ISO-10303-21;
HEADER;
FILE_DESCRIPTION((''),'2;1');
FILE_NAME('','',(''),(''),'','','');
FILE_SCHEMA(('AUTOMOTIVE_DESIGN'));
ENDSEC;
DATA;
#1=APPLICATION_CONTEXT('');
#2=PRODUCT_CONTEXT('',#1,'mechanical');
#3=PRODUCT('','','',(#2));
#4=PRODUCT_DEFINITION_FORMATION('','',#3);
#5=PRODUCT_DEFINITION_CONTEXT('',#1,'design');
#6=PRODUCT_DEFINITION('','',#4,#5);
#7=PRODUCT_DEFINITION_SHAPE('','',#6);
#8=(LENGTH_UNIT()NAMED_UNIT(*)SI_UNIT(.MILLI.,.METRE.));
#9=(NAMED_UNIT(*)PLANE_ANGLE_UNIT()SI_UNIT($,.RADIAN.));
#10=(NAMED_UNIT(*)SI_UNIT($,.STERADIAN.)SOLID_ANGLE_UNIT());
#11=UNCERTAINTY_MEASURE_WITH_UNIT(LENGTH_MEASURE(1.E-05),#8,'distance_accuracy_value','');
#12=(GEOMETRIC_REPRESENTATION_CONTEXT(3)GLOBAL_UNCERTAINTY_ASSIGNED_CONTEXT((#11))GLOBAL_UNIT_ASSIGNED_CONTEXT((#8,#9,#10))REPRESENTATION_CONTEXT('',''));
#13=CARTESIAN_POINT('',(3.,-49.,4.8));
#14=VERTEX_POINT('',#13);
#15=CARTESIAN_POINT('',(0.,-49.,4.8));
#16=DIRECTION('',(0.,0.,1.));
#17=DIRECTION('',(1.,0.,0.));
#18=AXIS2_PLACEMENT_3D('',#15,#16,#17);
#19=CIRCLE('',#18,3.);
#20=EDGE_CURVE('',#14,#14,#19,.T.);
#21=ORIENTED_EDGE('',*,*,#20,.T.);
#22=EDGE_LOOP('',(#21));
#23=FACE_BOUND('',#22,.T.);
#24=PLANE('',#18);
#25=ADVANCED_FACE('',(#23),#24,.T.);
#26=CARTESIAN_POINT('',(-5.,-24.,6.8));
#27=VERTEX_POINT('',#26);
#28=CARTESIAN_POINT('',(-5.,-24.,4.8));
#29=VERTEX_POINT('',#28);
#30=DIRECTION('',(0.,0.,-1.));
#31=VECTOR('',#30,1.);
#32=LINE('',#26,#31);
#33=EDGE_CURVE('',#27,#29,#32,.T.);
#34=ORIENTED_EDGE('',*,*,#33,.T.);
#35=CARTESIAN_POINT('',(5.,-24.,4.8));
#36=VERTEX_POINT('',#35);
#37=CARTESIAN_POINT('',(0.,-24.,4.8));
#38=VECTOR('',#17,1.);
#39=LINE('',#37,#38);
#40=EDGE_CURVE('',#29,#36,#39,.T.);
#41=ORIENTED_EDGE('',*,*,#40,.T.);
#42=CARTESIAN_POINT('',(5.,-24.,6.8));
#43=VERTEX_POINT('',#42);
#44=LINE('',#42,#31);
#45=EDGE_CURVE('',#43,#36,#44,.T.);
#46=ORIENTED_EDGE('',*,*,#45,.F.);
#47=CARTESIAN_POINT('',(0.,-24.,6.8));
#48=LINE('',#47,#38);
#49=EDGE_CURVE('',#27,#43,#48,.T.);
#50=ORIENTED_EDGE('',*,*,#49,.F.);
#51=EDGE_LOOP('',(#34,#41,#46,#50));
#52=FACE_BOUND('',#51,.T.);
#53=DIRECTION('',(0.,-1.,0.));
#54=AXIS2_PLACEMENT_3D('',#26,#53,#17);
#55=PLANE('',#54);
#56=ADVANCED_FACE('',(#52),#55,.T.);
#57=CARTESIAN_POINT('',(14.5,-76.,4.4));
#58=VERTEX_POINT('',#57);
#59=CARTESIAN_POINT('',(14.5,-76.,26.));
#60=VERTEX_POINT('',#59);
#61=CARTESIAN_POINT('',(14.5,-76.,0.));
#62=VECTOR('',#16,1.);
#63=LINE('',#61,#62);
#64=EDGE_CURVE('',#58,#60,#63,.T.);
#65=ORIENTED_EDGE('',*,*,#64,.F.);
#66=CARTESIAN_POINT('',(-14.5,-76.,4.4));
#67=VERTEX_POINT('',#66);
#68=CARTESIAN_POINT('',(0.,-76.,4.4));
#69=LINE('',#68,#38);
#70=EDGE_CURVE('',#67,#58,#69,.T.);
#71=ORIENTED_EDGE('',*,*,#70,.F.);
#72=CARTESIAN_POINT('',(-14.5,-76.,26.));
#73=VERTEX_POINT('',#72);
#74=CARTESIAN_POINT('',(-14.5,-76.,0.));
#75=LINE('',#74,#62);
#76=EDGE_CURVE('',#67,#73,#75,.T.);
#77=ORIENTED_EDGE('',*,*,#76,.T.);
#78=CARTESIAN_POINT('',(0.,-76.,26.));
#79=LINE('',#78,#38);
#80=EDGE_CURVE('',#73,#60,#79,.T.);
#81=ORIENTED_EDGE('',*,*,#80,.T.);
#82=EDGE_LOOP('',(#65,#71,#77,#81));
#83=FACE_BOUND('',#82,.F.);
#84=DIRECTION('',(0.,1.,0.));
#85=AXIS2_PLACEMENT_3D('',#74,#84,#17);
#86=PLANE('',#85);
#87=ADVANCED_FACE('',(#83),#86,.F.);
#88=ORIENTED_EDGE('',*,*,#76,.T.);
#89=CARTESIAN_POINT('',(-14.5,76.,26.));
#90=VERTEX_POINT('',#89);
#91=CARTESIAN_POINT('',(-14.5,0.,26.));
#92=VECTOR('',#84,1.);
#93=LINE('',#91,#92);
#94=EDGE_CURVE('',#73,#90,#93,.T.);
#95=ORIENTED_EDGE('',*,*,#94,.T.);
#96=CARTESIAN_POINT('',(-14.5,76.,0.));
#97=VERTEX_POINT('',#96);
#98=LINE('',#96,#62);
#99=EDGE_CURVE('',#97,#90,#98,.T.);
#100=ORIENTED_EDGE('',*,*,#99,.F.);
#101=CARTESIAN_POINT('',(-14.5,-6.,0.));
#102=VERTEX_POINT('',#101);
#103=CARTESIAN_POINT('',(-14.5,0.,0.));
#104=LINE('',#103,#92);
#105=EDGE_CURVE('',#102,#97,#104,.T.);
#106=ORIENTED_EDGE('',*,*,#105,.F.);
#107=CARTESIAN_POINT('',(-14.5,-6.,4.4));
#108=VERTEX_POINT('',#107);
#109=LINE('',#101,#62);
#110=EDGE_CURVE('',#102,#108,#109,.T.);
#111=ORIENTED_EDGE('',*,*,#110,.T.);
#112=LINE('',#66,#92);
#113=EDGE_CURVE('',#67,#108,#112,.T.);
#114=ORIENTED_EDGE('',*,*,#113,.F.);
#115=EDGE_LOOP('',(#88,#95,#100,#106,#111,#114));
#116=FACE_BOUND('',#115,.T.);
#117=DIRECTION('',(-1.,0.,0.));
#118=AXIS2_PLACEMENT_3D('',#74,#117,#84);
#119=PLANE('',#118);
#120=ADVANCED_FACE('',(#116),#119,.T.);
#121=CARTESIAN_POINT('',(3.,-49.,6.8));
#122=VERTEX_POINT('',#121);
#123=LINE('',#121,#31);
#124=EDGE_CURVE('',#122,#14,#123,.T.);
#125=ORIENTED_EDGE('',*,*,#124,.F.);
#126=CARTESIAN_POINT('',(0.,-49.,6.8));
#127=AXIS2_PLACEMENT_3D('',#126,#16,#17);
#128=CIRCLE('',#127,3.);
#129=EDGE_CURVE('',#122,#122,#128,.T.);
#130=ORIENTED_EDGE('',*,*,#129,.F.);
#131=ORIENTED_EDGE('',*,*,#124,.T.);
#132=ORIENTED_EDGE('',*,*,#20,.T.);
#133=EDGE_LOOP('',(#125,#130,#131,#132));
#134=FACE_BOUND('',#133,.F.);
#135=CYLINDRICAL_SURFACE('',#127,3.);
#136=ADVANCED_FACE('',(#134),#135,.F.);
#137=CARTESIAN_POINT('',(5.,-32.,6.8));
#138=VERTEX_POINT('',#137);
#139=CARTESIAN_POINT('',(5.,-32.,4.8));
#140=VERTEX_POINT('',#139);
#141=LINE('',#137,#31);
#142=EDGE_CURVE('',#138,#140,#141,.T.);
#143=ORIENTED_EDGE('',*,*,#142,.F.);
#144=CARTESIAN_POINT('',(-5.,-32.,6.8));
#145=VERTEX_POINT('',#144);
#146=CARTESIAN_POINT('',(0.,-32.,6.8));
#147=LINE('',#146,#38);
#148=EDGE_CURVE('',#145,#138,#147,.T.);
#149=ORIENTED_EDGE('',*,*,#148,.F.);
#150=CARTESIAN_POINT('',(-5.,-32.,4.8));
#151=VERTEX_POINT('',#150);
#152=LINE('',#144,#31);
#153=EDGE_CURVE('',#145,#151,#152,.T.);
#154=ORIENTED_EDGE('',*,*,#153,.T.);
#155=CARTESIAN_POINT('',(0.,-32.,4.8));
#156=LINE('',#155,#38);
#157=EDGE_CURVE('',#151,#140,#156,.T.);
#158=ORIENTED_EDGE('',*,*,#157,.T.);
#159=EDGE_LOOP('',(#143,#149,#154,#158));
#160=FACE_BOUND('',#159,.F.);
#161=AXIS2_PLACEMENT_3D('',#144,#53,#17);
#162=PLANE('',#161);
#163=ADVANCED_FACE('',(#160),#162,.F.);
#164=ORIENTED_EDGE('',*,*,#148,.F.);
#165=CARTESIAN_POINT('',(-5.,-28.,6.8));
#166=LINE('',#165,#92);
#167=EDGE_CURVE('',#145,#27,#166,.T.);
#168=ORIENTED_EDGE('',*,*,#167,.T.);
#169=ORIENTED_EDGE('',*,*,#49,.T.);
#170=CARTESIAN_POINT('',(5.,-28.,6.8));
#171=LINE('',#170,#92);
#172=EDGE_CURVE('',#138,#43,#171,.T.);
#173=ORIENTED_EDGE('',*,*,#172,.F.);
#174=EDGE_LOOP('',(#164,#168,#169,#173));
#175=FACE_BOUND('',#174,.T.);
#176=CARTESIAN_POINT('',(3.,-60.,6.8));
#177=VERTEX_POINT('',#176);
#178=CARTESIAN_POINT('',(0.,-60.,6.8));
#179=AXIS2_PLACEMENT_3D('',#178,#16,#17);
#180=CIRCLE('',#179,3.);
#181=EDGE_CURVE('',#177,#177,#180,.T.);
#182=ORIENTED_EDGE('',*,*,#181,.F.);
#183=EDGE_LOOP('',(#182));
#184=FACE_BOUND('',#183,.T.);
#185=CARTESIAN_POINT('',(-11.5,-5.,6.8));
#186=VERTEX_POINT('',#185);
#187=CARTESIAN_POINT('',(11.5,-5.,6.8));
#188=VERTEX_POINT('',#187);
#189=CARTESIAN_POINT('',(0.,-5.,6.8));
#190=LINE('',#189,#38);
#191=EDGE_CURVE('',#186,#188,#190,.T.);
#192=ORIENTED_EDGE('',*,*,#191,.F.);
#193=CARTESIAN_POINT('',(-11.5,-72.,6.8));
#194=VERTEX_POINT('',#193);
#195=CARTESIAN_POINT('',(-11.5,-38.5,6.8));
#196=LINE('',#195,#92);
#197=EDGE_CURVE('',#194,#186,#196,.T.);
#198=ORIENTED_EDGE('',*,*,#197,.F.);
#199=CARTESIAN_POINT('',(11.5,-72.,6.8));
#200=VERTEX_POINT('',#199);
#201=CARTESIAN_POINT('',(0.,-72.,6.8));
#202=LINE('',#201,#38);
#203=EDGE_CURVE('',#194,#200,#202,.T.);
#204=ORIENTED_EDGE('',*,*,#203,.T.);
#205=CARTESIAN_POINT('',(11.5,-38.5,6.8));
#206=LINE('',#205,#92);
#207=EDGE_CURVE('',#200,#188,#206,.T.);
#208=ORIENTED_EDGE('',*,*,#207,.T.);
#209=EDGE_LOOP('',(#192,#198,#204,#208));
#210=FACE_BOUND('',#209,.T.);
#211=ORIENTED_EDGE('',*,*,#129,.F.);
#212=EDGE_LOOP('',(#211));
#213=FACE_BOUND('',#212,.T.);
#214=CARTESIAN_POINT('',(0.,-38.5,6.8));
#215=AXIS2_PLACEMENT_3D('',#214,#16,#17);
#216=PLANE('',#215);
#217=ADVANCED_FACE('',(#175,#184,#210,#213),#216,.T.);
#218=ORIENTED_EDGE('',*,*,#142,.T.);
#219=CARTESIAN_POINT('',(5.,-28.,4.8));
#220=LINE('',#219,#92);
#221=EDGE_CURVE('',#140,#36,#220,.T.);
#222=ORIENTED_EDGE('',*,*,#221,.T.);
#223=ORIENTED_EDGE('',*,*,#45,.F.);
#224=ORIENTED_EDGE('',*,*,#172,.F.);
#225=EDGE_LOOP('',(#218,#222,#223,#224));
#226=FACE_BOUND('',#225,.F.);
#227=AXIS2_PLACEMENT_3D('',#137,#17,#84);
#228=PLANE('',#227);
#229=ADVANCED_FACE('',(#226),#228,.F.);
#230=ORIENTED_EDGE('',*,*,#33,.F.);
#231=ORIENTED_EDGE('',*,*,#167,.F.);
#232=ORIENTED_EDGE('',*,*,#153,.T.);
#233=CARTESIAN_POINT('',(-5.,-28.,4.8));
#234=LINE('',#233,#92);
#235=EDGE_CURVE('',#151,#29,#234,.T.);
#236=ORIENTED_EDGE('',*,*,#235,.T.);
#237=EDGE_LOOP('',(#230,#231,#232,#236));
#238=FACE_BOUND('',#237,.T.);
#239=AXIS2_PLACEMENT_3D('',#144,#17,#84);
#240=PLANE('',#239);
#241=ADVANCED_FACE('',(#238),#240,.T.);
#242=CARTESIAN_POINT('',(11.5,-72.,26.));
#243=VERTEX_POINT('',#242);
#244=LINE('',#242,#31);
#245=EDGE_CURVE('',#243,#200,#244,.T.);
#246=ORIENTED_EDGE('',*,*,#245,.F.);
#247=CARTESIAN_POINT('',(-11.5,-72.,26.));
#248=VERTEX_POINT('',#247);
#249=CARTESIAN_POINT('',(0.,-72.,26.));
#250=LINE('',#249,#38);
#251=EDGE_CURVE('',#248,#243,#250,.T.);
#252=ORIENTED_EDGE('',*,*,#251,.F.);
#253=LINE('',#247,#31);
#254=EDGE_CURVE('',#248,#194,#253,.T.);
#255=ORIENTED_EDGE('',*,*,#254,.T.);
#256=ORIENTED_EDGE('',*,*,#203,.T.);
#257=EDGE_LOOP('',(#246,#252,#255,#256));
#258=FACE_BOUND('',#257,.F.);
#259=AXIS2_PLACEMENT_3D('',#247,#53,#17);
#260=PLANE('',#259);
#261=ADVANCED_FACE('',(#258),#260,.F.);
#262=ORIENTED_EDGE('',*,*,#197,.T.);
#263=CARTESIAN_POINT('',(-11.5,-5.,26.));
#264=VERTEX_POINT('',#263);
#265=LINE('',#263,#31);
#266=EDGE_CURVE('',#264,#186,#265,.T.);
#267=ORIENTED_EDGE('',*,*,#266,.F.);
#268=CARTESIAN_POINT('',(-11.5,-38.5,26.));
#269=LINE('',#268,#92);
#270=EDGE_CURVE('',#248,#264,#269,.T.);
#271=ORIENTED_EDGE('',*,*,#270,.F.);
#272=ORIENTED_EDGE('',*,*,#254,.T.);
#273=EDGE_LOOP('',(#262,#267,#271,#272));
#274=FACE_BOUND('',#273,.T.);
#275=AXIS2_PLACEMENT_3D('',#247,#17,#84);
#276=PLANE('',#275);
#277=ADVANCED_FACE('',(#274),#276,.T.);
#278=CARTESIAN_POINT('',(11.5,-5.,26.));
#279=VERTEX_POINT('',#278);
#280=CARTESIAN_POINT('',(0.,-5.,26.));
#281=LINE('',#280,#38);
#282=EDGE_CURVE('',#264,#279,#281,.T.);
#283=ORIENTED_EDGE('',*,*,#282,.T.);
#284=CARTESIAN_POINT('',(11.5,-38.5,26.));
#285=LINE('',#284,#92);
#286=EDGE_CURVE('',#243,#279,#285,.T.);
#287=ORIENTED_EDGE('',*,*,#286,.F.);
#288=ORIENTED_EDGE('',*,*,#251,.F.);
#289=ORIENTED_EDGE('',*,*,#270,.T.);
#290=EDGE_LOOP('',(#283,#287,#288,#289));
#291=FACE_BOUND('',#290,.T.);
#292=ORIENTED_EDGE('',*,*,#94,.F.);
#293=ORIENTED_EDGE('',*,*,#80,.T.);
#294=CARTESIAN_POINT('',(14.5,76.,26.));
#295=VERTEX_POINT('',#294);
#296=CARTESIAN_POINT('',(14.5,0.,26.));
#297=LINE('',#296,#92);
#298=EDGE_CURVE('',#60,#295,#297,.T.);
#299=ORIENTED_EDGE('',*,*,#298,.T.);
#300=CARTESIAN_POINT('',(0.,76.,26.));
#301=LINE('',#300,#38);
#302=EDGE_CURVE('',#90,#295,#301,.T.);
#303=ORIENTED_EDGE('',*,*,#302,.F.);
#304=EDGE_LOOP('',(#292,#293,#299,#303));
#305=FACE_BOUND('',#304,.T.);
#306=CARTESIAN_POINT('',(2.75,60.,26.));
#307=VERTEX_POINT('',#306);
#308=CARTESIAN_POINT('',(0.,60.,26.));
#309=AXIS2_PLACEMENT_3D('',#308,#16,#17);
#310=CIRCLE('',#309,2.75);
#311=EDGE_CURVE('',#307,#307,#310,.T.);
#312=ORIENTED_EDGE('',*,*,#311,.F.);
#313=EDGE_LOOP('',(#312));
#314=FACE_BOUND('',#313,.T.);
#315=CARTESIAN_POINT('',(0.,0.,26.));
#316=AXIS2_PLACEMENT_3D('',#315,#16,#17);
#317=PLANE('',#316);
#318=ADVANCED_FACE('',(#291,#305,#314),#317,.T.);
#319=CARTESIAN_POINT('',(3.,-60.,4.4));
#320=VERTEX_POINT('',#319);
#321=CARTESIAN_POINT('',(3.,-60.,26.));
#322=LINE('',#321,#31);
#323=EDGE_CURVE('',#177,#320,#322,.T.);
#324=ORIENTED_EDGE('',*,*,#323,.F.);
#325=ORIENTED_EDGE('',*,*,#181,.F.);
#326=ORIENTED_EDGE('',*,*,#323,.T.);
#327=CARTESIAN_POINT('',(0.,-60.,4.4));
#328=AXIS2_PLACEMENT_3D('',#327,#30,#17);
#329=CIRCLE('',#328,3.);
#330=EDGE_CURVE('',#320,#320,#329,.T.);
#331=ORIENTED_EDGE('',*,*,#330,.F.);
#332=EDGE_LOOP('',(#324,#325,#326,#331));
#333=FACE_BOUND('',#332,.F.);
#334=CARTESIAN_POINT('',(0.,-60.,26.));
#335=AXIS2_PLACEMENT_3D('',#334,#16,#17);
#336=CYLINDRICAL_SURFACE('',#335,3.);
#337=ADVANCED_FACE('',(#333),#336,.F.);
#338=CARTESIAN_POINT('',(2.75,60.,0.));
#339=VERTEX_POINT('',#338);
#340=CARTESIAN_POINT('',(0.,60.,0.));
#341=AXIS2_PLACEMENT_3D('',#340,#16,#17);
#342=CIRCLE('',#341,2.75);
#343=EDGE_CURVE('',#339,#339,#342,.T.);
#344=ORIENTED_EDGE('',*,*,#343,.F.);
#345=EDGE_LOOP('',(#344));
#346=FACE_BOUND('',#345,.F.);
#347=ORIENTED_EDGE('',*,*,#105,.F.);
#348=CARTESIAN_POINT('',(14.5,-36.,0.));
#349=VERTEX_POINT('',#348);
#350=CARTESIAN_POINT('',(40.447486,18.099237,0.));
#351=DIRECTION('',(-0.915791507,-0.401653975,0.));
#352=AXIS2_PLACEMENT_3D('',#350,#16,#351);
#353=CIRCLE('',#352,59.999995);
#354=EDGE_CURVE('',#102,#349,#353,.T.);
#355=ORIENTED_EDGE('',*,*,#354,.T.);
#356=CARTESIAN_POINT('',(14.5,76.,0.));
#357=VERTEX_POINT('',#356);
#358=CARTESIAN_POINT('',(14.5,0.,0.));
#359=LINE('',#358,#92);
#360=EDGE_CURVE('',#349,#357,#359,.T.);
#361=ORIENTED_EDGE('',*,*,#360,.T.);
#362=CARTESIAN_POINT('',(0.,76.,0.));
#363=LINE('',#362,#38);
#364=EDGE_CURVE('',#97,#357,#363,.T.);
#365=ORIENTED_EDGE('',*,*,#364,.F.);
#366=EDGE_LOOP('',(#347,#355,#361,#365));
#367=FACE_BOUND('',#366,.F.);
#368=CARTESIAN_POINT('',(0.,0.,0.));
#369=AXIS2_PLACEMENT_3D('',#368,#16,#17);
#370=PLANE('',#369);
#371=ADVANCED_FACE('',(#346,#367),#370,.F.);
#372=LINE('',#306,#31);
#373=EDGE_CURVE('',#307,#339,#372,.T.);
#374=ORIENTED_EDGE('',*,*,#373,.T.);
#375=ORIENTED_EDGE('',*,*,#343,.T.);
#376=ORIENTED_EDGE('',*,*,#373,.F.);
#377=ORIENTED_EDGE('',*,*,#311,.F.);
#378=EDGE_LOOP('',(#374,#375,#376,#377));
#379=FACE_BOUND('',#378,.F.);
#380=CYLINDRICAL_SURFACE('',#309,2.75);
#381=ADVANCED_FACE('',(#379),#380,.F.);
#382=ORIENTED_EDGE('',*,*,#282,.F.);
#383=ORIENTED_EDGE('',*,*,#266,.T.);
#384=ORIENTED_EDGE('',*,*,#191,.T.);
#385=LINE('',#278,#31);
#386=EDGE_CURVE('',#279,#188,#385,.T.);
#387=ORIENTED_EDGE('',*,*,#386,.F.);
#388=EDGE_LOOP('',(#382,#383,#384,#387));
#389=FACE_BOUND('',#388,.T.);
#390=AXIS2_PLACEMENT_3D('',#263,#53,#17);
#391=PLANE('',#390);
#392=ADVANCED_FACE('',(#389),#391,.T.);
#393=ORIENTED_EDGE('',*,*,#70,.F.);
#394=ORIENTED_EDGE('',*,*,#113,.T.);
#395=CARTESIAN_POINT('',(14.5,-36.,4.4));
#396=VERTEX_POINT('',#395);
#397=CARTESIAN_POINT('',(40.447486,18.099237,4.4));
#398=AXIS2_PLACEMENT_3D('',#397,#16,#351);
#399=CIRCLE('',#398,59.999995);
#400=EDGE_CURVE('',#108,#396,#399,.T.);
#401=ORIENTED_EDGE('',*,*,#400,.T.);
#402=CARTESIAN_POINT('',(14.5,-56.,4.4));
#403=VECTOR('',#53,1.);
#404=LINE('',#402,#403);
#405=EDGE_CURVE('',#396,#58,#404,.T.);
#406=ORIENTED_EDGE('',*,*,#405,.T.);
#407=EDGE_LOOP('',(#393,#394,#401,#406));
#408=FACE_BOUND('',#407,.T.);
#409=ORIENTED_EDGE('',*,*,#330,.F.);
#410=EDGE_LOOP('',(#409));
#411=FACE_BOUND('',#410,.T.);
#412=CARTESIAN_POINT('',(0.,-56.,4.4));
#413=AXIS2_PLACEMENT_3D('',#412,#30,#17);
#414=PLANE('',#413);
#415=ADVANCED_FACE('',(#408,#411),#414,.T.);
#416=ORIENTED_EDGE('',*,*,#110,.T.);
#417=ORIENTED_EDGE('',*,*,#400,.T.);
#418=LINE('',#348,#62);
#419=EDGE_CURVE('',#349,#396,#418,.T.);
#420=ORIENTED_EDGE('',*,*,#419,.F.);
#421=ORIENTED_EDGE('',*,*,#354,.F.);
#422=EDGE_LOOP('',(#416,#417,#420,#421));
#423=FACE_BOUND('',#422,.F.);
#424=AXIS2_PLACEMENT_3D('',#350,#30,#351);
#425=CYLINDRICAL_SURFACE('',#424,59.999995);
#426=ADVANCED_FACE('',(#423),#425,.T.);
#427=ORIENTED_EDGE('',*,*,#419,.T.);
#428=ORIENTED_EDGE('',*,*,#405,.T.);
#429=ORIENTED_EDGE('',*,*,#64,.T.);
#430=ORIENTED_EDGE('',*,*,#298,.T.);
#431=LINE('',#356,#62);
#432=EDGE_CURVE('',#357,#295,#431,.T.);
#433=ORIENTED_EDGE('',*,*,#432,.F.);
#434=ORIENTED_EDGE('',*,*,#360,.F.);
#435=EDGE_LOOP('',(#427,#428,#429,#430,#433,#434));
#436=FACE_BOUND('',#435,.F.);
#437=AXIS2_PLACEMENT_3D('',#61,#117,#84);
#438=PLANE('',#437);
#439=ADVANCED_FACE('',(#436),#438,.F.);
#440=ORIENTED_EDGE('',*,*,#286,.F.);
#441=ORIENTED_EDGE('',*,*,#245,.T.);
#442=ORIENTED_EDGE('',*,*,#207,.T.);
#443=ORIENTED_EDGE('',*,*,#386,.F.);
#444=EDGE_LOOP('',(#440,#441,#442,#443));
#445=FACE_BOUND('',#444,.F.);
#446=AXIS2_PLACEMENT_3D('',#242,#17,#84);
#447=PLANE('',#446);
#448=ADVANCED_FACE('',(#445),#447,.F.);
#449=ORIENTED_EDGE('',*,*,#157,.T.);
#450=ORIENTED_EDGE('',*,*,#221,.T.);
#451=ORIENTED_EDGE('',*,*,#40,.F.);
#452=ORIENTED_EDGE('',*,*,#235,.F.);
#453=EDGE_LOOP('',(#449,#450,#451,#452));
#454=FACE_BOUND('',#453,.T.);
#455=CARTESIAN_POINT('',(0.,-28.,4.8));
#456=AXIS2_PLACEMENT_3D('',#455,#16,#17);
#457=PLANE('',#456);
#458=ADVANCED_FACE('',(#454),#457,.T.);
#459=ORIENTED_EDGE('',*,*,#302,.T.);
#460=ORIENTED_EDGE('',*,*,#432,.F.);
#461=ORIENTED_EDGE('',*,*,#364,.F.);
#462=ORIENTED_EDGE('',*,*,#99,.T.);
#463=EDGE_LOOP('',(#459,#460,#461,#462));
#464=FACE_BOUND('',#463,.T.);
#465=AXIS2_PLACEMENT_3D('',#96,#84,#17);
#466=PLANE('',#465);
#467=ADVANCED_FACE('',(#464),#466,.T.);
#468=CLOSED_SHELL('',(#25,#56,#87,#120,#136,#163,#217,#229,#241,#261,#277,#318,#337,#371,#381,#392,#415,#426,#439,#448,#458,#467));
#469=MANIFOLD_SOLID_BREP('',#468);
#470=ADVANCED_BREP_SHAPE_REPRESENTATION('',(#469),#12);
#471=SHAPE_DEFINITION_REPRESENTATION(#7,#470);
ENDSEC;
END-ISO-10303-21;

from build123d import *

# Parameters (mm, degrees)
F0_W     = 29
F0_H     = 152
F1_DEPTH = 26
F2_R     = 3
F2_R_2   = 2.75
F3_DEPTH = 26.001
F4_W     = 23
F4_H     = 67
F4_R     = 3
F5_DEPTH = 19.2
F6_W     = 10
F6_H     = 8
F6_R     = 3
F7_DEPTH = 2
F8_W     = 29
F8_H     = 40
F8_R     = 3
F9_DEPTH = 4.4


with BuildPart() as f1:
    # F0 (on Top) → F1 (new body)
    with BuildSketch(Plane.XY):
        Rectangle(F0_W, F0_H)
    extrude(amount=F1_DEPTH)

    # F2 (on face) → F3 (cut, through all)
    with BuildSketch(Plane.XY.offset(26)):
        with Locations((0, -60)):
            Circle(F2_R)
        with Locations((0, 60)):
            Circle(F2_R_2)
    extrude(amount=-F3_DEPTH, mode=Mode.SUBTRACT)

    # F4 (on face) → F5 (cut)
    with BuildSketch(Plane.XY.offset(26)):
        with Locations((0, -38.5)):
            Rectangle(F4_W, F4_H)
        with Locations((0, -60)):
            Circle(F4_R, mode=Mode.SUBTRACT)
    extrude(amount=-F5_DEPTH, mode=Mode.SUBTRACT)

    # F6 (on face) → F7 (cut)
    with BuildSketch(Plane.XY.offset(6.8)):
        with Locations((0, -28)):
            Rectangle(F6_W, F6_H)
        with Locations((0, -49)):
            Circle(F6_R)
    extrude(amount=-F7_DEPTH, mode=Mode.SUBTRACT)

    # F8 (on face) → F9 (cut)
    with BuildSketch(Plane(origin=(0, 0, 0), x_dir=(1, 0, 0), z_dir=(0, 0, -1))):
        with Locations((0, 56)):
            Rectangle(F8_W, F8_H)
        with Locations((0, 60)):
            Circle(F8_R, mode=Mode.SUBTRACT)
        with BuildLine():
            ThreePointArc((-14.5, 6), (-2.691813, 23.602086), (14.5, 36))
            Line((14.5, 36), (-14.5, 36))
            Line((-14.5, 36), (-14.5, 6))
        make_face()
    extrude(amount=-F9_DEPTH, mode=Mode.SUBTRACT)


solid = f1.part
